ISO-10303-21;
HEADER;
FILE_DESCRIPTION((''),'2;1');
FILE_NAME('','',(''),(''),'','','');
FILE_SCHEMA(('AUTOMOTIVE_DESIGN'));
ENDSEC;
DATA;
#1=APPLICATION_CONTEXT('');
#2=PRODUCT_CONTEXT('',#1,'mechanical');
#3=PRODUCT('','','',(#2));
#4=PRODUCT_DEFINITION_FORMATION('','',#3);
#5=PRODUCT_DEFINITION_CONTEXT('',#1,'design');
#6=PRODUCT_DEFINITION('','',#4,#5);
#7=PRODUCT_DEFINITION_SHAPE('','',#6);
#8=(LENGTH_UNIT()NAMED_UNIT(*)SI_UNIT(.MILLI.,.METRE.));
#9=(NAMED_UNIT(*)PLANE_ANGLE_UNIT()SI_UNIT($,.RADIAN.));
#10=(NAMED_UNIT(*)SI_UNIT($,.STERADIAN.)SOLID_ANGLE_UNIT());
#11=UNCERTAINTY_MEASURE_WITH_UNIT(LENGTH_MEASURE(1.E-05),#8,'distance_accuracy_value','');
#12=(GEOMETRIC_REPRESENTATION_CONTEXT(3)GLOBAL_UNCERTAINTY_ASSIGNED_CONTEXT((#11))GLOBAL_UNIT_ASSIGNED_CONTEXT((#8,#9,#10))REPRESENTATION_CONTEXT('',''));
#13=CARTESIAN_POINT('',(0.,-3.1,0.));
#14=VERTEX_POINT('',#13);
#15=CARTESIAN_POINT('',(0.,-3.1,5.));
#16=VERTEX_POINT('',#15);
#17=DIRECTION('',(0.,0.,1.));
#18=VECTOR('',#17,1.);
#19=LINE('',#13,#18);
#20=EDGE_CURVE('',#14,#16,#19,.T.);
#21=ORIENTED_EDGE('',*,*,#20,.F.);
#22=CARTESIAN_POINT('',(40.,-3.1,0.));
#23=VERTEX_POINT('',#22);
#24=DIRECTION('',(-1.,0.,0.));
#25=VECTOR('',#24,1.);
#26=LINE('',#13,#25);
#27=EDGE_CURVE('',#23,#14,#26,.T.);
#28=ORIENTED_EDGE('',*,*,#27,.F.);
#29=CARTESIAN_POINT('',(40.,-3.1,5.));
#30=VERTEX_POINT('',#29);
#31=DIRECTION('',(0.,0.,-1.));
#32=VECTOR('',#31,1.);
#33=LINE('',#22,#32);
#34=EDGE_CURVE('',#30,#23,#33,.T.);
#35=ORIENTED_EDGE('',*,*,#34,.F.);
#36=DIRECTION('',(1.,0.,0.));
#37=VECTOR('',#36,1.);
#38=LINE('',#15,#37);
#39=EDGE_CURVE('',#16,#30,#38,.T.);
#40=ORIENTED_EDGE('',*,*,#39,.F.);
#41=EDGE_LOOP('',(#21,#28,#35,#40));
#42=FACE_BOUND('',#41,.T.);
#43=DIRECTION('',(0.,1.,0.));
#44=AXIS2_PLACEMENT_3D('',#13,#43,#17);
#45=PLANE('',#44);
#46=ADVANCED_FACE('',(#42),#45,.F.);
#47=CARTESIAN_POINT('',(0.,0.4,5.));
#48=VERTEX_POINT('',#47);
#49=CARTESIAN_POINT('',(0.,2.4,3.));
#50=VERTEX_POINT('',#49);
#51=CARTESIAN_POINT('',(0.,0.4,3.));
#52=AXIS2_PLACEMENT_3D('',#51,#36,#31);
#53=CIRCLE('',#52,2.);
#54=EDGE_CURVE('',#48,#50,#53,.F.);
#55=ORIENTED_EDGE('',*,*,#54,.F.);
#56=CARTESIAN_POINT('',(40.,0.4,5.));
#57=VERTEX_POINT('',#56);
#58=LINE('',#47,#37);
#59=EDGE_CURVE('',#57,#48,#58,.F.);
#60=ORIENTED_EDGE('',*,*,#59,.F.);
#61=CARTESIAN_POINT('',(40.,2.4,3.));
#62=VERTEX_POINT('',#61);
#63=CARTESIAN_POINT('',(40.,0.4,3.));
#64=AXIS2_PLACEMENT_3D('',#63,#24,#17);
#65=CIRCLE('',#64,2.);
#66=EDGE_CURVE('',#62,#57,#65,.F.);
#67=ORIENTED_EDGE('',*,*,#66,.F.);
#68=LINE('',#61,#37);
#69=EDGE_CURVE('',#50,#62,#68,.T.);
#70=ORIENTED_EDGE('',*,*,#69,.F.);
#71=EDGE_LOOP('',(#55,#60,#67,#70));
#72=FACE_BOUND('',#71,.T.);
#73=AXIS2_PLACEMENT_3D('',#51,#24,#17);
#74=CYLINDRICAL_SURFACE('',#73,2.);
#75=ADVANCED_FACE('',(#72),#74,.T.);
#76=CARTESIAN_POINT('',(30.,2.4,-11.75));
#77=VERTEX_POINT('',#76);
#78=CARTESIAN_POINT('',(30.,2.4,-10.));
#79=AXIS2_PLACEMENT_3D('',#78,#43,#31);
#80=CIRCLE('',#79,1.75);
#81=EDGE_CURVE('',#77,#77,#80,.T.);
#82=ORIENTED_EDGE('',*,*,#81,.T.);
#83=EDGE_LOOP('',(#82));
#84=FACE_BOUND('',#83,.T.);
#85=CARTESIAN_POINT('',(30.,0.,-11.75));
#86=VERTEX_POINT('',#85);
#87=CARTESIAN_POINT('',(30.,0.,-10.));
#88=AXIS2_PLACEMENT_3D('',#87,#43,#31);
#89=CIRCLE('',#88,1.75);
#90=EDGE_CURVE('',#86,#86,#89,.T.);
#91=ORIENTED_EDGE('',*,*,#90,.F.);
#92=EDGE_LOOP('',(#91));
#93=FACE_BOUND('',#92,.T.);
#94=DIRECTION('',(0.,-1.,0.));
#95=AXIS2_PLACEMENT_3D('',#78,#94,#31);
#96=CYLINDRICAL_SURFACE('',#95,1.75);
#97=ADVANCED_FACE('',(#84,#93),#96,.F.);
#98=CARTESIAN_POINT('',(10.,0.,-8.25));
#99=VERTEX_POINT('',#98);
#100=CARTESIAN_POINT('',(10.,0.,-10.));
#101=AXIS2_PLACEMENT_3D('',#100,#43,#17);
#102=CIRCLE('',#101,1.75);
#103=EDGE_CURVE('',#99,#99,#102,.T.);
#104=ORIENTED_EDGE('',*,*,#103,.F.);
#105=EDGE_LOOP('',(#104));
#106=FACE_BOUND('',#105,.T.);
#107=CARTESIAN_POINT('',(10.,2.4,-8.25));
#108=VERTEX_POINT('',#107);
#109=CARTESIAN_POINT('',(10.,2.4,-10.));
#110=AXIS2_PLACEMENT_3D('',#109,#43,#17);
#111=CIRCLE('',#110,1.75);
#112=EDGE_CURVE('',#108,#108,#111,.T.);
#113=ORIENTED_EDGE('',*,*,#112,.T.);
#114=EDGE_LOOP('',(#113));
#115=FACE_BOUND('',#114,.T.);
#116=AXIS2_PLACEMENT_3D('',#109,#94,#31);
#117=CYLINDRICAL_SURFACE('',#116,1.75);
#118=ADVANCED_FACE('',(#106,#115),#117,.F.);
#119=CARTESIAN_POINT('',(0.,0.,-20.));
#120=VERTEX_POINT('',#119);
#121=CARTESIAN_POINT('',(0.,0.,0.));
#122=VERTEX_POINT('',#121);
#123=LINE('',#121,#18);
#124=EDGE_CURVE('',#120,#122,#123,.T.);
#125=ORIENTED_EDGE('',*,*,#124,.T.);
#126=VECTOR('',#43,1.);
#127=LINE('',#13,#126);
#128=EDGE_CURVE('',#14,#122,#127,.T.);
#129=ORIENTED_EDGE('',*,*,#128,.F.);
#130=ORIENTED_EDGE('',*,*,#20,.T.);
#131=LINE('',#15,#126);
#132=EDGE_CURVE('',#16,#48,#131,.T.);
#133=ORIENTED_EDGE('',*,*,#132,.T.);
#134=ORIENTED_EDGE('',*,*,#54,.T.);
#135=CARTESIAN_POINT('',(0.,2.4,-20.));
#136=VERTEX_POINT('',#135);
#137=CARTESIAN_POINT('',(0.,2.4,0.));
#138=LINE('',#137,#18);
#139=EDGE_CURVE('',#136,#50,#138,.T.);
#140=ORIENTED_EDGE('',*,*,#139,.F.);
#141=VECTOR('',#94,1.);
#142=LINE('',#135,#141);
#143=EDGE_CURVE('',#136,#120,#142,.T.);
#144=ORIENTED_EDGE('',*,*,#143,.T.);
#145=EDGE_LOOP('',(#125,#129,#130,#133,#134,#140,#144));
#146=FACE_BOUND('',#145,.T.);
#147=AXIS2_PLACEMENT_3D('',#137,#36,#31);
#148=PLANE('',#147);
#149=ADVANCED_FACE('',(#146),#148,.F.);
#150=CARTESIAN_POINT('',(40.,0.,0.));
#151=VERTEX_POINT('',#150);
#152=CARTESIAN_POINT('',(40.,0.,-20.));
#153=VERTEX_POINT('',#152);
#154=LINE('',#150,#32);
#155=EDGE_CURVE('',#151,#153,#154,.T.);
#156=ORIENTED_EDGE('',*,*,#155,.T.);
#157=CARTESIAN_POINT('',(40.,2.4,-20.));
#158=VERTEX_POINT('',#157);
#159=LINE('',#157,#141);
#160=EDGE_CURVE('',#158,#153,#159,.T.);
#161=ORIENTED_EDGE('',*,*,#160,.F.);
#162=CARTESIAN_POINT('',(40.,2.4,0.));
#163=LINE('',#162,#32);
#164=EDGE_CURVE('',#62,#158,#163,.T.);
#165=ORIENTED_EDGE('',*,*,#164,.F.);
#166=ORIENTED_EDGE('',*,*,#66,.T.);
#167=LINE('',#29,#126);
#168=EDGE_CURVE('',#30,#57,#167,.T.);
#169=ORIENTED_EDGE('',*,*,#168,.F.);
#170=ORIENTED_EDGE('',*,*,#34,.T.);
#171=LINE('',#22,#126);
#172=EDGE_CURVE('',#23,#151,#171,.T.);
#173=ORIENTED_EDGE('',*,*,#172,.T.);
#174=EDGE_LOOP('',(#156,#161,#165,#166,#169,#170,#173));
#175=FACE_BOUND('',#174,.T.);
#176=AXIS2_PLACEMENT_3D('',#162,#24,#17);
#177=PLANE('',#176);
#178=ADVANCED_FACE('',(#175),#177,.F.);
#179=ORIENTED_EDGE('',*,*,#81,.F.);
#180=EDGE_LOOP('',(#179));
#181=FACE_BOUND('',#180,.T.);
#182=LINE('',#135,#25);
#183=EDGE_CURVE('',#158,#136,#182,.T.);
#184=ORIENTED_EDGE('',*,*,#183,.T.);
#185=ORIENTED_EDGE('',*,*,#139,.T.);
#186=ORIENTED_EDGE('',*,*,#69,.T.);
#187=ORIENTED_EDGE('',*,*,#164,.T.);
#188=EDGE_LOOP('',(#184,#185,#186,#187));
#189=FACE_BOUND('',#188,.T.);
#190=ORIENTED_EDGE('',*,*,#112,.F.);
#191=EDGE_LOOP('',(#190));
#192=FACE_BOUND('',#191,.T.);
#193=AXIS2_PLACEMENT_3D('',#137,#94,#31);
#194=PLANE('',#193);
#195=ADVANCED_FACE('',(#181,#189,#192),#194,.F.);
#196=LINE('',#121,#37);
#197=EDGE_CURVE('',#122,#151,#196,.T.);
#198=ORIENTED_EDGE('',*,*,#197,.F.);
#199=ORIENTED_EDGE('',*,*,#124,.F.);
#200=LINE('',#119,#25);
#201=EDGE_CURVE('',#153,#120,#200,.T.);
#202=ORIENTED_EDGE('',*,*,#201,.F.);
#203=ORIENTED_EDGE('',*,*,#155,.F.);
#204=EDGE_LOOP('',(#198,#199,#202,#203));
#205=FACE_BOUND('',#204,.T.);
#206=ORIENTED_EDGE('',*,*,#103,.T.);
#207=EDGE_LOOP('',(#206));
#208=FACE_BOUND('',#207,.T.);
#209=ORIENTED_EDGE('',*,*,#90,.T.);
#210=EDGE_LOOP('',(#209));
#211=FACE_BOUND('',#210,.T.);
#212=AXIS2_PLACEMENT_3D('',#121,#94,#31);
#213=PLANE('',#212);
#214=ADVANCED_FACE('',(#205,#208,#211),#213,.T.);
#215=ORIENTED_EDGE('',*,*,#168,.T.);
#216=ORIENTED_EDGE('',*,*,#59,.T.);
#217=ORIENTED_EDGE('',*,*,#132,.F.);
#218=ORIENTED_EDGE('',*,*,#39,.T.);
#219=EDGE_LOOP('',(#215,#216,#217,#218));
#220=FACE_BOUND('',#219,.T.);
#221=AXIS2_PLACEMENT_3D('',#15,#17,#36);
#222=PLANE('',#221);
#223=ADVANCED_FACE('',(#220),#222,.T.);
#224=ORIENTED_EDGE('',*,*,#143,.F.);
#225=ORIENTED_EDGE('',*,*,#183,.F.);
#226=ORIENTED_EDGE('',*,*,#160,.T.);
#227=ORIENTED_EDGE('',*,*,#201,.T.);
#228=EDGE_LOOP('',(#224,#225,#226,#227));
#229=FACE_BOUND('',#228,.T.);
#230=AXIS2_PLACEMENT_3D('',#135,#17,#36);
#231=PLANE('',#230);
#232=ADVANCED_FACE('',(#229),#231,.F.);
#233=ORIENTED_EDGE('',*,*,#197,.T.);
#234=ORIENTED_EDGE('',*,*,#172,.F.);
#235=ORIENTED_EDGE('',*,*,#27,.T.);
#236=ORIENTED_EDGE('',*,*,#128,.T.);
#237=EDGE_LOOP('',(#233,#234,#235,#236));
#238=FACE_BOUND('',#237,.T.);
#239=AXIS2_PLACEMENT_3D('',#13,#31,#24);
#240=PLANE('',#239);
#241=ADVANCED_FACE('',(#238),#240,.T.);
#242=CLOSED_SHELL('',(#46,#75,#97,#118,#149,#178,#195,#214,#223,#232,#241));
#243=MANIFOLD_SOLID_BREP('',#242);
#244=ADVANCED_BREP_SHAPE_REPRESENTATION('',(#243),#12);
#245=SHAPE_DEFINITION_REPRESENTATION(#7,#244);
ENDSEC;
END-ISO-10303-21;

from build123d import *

# Parameters (mm, degrees)
SKETCH1_W           = 40
SKETCH1_H           = 20
SKETCH1_R           = 1.75
BOSS_EXTRUDE1_DEPTH = 2.4
SKETCH2_W           = 40
SKETCH2_H           = 5
BOSS_EXTRUDE2_DEPTH = 5.5
FILLET1_R           = 2


with BuildPart() as part:
    # Sketch1 → Boss-Extrude1 (new body)
    with BuildSketch(Plane(origin=(0, 0, 0), x_dir=(1, 0, 0), z_dir=(0, 1, 0))):
        with Locations((20, 10)):
            Rectangle(SKETCH1_W, SKETCH1_H)
        with Locations((10, 10)):
            Circle(SKETCH1_R, mode=Mode.SUBTRACT)
        with Locations((30, 10)):
            Circle(SKETCH1_R, mode=Mode.SUBTRACT)
    extrude(amount=BOSS_EXTRUDE1_DEPTH)

    # Sketch2 → Boss-Extrude2 (add)
    with BuildSketch(Plane(origin=(0, 2.4, 0), x_dir=(1, 0, 0), z_dir=(0, 1, 0))):
        with Locations((20, -2.5)):
            Rectangle(SKETCH2_W, SKETCH2_H)
    extrude(amount=-BOSS_EXTRUDE2_DEPTH)

    # Fillet1
    fillet1_edges = [part.edges().sort_by_distance(p)[0] for p in [
        (20, 2.4, 5),
    ]]
    fillet(fillet1_edges, radius=FILLET1_R)


solid = part.part
